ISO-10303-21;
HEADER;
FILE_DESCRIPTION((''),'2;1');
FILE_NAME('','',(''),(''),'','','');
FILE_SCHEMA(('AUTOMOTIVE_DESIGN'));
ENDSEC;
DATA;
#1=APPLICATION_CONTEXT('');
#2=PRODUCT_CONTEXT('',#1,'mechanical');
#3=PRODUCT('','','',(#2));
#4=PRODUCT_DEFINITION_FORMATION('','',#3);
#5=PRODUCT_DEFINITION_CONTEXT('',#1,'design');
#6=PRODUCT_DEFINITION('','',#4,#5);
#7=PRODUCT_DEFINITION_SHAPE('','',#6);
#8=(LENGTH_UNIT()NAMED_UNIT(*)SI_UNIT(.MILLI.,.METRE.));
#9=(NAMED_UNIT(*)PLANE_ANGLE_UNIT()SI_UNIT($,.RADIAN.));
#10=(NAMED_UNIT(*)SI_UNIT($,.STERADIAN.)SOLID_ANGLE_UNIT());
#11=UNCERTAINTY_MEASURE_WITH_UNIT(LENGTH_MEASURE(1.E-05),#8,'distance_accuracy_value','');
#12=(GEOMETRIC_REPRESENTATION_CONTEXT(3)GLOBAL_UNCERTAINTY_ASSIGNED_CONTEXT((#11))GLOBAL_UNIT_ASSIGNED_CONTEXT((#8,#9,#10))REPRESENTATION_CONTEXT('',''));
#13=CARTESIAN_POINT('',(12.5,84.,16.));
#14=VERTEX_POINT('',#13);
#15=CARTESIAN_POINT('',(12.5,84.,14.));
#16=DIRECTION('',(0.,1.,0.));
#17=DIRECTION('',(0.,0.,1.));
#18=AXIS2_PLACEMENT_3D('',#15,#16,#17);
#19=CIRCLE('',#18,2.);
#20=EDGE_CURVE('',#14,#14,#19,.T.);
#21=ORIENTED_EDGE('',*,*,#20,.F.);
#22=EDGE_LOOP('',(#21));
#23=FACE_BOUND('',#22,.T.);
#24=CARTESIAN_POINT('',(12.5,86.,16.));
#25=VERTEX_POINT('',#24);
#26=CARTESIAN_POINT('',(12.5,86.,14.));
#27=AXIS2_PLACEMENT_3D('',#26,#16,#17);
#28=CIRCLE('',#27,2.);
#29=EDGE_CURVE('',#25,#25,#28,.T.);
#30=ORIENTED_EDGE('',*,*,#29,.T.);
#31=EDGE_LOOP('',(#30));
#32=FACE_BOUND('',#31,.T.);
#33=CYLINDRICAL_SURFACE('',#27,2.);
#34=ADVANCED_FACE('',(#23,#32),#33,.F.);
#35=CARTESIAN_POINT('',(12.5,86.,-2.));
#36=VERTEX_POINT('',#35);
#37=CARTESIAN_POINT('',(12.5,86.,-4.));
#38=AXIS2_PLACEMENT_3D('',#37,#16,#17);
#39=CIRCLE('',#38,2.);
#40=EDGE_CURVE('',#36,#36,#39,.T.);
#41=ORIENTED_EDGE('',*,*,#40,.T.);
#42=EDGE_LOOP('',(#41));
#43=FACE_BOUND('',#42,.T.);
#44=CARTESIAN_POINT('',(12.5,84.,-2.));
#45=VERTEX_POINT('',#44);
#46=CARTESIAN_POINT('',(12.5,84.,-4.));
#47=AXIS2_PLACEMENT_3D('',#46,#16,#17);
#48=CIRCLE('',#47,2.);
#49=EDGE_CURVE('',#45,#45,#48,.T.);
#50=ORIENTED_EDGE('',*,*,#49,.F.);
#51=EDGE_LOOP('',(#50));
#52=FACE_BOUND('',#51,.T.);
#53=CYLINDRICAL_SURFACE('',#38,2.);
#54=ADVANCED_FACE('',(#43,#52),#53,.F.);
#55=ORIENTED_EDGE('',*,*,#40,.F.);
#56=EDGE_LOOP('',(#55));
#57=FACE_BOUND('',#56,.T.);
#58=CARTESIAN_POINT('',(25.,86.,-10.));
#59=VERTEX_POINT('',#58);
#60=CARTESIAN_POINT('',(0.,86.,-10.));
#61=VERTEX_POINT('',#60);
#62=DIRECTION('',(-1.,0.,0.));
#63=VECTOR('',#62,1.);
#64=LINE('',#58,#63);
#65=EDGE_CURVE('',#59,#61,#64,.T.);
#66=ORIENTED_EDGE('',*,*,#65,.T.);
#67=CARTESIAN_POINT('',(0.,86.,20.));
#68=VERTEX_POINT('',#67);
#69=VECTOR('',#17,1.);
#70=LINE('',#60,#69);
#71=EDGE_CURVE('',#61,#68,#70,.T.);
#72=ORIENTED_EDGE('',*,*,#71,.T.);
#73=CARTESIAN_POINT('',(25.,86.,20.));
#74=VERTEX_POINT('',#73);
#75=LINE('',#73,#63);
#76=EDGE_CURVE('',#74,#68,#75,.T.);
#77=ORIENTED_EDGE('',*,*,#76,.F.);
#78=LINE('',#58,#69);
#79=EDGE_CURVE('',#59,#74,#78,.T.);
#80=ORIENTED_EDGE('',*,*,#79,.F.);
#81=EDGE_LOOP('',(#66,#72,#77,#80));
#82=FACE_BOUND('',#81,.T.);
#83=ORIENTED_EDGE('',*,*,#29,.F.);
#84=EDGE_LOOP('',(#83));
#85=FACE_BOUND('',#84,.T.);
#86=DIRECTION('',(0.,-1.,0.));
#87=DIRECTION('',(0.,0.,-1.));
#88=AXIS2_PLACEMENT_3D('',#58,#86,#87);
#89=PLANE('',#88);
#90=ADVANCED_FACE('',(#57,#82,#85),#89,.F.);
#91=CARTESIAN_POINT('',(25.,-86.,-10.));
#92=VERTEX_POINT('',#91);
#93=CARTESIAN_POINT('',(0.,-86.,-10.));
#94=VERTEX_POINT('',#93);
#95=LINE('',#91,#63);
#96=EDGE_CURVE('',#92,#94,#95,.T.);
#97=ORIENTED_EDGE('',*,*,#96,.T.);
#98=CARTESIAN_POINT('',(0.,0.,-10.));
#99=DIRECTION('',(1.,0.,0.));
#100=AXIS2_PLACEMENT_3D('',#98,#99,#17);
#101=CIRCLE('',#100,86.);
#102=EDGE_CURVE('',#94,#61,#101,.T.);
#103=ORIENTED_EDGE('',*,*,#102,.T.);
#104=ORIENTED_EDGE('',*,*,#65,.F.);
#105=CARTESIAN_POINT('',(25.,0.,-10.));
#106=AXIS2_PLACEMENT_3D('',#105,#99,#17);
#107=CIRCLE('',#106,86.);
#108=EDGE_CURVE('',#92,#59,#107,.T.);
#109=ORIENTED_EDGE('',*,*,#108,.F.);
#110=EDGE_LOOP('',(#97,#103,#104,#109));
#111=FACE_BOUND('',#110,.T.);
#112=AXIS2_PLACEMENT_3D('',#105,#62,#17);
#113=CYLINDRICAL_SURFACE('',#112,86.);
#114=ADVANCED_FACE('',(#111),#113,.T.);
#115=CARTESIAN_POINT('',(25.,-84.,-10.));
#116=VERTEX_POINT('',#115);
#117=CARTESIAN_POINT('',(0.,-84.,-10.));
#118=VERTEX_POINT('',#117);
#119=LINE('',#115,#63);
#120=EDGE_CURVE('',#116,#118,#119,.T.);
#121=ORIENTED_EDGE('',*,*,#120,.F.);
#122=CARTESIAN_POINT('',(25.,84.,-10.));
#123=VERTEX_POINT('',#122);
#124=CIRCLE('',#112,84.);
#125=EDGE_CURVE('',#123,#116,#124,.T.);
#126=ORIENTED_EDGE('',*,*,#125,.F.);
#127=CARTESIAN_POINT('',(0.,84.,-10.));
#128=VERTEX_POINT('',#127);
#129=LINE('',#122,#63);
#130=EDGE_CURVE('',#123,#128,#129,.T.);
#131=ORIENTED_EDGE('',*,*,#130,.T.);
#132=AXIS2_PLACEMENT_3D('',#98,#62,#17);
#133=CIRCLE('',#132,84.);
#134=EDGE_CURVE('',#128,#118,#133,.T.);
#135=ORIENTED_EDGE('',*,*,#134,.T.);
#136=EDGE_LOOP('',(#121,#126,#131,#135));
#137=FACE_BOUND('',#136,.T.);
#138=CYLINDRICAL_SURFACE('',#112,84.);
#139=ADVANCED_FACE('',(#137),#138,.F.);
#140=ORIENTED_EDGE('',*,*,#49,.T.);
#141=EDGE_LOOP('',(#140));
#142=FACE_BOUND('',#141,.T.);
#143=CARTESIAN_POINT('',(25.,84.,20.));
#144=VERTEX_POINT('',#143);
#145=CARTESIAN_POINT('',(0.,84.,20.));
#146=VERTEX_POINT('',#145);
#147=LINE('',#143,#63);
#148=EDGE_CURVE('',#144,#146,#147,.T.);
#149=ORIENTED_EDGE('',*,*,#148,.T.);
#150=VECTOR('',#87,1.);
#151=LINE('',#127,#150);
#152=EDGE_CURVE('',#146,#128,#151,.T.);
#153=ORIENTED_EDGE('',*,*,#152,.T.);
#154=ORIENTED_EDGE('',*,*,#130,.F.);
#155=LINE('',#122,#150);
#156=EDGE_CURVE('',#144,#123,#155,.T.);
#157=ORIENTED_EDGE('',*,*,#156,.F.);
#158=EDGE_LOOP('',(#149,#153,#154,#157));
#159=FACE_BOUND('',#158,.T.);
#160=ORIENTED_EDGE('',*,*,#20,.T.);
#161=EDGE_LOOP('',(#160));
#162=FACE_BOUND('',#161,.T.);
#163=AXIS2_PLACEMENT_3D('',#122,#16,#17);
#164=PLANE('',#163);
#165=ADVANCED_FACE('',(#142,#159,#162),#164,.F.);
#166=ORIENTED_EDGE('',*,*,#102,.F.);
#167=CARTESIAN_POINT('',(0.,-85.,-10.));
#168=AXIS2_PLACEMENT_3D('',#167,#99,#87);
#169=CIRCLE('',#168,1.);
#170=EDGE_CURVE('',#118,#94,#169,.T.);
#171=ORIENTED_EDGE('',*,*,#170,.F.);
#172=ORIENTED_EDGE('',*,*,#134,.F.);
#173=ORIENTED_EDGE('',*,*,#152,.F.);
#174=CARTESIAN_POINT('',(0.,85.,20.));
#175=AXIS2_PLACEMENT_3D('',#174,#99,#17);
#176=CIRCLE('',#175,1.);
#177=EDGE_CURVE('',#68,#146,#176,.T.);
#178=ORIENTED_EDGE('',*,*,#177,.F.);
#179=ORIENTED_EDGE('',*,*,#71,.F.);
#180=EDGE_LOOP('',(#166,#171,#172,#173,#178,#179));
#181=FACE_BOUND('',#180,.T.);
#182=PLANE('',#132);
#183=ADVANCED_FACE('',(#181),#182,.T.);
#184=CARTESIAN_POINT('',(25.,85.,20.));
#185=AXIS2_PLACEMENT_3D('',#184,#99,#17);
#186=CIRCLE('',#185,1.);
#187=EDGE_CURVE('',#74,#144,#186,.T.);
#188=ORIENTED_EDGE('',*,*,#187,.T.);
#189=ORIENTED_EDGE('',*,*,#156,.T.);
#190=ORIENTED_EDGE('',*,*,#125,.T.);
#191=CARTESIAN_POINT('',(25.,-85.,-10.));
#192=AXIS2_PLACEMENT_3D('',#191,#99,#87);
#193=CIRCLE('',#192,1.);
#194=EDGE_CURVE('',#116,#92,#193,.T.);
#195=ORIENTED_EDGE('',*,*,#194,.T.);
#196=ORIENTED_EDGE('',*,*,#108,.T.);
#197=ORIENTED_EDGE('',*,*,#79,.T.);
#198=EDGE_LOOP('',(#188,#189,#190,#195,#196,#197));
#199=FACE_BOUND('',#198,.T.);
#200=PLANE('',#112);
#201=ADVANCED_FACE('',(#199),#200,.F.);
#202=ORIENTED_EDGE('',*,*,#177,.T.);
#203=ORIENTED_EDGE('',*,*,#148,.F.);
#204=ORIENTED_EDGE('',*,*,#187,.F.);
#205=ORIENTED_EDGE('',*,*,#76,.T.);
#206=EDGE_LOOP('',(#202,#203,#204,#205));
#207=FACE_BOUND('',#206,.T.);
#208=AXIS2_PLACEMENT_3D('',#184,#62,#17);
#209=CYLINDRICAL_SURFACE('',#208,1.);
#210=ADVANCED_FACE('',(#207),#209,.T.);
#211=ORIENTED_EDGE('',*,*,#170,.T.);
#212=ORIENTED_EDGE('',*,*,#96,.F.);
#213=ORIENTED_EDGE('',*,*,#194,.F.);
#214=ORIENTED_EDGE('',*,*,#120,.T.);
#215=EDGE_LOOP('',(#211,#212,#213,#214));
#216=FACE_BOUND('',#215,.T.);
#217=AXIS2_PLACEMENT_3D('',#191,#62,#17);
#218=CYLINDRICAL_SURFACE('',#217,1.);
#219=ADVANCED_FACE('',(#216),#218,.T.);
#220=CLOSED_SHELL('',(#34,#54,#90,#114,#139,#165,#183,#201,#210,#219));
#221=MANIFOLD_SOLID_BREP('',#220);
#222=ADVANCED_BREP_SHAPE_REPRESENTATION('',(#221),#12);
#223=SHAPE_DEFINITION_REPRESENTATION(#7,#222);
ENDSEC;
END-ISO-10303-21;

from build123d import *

# Parameters (mm, degrees)
BOSS_EXTRUDE1_DEPTH       = 25
F_4_0MM_DOWEL_HOLE1_D     = 4
F_4_0MM_DOWEL_HOLE1_DEPTH = 17.29
F_4_0MM_DOWEL_HOLE1_TIP   = 1.201721238


with BuildPart() as part:
    # Sketch1 → Boss-Extrude1 (new body)
    with BuildSketch(Plane(origin=(0, 0, 0), x_dir=(0, 0, -1), z_dir=(1, 0, 0))):
        with BuildLine():
            Line((10, 84), (-20, 84))
            ThreePointArc((-20, 84), (-21, 85), (-20, 86))
            Line((-20, 86), (10, 86))
            ThreePointArc((10, 86), (96, 0), (10, -86))
            ThreePointArc((10, -86), (9, -85), (10, -84))
            ThreePointArc((10, -84), (94, 0), (10, 84))
        make_face()
    extrude(amount=BOSS_EXTRUDE1_DEPTH)

    # Ø4.0mm Dowel Hole1
    with Locations(Plane(origin=(0, 86, 0), x_dir=(1, 0, 0), z_dir=(0, 1, 0))):
        with Locations((12.5, -14), (12.5, 4)):
            Hole(F_4_0MM_DOWEL_HOLE1_D / 2, depth=F_4_0MM_DOWEL_HOLE1_DEPTH)
            with Locations((0, 0, -(F_4_0MM_DOWEL_HOLE1_DEPTH + F_4_0MM_DOWEL_HOLE1_TIP / 2))):  # 118° drill point
                Cone(0, F_4_0MM_DOWEL_HOLE1_D / 2, F_4_0MM_DOWEL_HOLE1_TIP, mode=Mode.SUBTRACT)


solid = part.part
